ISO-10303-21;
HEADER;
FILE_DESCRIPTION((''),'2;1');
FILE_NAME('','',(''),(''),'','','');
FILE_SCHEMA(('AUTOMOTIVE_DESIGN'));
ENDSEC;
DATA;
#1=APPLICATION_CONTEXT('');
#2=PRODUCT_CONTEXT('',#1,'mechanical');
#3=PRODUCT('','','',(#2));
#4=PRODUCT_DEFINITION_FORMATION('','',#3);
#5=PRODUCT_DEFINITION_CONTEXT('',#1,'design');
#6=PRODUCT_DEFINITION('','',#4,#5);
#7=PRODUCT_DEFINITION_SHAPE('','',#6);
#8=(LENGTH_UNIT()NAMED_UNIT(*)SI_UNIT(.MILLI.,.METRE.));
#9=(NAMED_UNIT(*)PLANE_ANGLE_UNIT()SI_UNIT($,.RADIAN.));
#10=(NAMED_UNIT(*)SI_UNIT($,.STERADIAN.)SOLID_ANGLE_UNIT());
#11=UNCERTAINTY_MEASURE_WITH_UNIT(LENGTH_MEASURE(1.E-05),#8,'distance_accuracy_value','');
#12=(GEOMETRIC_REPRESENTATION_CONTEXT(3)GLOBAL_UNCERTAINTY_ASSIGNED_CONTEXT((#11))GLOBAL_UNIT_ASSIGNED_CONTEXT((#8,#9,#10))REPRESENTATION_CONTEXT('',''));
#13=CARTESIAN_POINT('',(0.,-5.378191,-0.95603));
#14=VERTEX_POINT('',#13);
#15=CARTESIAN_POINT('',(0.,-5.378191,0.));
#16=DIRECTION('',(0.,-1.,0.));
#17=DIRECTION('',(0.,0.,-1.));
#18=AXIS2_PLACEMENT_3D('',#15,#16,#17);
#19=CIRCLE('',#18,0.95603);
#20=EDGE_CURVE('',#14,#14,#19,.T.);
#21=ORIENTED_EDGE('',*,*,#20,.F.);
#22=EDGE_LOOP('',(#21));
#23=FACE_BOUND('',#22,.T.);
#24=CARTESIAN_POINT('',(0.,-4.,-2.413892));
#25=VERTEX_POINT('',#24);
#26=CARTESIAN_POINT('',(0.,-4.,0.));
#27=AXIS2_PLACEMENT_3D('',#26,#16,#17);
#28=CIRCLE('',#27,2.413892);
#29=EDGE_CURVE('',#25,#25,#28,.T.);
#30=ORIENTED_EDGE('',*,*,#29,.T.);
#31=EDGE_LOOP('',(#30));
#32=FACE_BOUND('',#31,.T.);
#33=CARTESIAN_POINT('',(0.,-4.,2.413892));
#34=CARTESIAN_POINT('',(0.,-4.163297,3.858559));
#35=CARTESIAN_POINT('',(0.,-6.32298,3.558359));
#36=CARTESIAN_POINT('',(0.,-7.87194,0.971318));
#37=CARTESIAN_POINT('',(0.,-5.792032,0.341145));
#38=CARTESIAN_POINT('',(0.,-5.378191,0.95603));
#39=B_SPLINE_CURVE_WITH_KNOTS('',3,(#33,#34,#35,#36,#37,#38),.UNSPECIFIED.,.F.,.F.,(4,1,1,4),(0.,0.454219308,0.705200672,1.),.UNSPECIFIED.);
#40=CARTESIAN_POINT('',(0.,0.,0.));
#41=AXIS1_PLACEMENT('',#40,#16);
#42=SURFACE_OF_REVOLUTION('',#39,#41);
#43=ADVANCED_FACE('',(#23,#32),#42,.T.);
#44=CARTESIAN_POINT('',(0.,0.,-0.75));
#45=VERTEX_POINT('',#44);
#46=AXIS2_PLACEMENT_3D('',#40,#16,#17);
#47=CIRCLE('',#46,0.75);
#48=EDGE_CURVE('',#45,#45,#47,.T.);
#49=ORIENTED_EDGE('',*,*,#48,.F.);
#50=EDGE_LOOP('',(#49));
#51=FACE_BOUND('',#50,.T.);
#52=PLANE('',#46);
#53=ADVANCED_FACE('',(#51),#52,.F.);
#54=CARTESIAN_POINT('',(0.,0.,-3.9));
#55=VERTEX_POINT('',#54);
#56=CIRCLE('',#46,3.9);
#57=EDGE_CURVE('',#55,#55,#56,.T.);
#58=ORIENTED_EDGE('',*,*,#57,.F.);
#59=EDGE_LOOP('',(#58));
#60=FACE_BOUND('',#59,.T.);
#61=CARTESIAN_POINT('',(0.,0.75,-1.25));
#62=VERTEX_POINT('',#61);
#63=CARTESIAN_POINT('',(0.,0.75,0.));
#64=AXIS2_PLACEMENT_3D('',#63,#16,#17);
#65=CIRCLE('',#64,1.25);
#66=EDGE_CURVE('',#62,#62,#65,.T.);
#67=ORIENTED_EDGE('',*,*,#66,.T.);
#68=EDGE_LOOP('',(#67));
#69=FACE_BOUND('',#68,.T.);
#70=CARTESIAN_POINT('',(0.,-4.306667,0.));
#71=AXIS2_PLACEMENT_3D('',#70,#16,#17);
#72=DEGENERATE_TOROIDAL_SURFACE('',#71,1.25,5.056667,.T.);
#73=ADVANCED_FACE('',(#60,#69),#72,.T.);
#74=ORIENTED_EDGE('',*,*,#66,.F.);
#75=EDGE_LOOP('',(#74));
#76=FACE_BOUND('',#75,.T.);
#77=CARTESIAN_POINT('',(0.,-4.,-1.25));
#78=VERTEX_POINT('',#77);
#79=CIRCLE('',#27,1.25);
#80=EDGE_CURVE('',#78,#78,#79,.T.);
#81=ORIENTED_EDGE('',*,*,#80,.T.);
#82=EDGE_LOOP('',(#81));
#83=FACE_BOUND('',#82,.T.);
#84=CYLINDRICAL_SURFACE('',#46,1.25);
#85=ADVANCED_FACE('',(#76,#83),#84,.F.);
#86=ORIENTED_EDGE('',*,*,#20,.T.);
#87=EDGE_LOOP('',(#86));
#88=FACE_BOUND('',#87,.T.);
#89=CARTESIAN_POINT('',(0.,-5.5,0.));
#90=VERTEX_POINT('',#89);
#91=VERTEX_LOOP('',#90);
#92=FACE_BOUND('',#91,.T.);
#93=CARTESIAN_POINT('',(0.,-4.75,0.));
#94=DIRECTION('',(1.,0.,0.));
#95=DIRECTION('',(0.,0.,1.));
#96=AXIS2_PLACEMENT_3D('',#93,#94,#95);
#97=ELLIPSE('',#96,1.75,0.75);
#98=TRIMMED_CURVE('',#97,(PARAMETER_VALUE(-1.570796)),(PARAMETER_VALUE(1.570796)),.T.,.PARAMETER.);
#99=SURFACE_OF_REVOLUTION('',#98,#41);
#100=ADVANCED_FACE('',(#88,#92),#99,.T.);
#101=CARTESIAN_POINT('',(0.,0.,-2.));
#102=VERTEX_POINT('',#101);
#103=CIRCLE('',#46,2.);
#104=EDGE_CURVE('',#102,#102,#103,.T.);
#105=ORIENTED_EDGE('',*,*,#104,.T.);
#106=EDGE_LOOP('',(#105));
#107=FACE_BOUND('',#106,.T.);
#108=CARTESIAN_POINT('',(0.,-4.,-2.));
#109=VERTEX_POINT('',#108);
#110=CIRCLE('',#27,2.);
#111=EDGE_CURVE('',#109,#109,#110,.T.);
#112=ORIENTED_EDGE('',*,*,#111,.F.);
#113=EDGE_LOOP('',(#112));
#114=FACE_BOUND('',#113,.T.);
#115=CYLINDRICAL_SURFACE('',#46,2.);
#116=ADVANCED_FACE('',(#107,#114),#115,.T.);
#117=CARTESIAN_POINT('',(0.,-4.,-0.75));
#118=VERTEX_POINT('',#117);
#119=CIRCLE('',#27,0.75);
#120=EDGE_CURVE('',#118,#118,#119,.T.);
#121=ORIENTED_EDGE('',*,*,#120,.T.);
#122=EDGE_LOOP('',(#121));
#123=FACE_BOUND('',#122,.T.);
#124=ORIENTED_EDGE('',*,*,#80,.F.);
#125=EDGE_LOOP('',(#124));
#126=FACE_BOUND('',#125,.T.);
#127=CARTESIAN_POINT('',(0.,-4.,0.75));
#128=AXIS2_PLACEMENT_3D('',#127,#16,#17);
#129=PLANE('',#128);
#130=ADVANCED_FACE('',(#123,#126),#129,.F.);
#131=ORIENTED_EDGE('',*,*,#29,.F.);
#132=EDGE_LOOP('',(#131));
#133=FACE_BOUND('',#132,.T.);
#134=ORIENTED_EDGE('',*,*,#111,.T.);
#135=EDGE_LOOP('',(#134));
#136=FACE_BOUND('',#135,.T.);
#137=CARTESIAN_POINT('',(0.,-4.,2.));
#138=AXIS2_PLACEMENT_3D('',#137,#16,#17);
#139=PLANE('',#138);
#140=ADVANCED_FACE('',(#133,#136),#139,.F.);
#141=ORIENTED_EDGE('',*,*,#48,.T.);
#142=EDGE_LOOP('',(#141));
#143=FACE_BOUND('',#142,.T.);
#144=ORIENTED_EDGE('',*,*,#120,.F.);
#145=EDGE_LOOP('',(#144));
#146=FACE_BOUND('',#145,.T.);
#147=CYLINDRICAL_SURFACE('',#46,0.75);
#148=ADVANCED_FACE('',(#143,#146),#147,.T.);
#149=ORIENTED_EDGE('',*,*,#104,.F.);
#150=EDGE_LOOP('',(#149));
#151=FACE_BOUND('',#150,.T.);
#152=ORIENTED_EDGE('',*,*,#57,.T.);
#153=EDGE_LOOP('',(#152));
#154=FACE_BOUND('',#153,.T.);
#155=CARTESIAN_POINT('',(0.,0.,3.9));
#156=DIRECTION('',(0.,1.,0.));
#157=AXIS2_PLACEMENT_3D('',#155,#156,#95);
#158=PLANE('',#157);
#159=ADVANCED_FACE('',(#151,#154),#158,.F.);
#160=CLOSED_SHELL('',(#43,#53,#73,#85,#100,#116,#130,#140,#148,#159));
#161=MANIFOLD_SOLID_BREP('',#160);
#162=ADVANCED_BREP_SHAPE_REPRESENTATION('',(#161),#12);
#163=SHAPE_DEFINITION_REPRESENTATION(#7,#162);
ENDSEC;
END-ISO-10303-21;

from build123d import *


with BuildPart() as part:
    # Szkic1 → Obrót1 (revolve)
    with BuildSketch(Plane(origin=(0, 0, 0), x_dir=(0, 0, -1), z_dir=(1, 0, 0)), mode=Mode.PRIVATE) as obr_t1_sk:
        with BuildLine():
            Line((0, 0), (0, -4))
            Line((0, -4), (0, -5.5))
            add(Edge.make_bspline(
                [(-0.956030427, -5.378190671), (-0.520263876, -5.5), (0, -5.5)],
                knots=[0.992852221, 0.992852221, 0.992852221, 1.570796327, 1.570796327, 1.570796327], degree=2, weights=[1, 0.958537313, 1]))
            add(Edge.make_bspline(
                [(-2.413891755, -4), (-3.858559437, -4.163296686), (-3.558358928, -6.322980362), (-0.971318098, -7.871940016), (-0.341145137, -5.79203191), (-0.956030427, -5.378190671)],
                knots=[0, 0, 0, 0, 0.454219308, 0.705200672, 1, 1, 1, 1], degree=3))
            Line((-2.413891755, -4), (-2, -4))
            Line((-2, -4), (-2, 0))
            Line((-2, 0), (-3.9, 0))
            ThreePointArc((-3.9, 0), (-2.627043935, 0.558888572), (-1.25, 0.75))
            Line((-1.25, 0.75), (-1.25, -4))
            Line((-1.25, -4), (-0.75, -4))
            Line((-0.75, -4), (-0.75, 0))
            Line((-0.75, 0), (0, 0))
        make_face()
    revolve(obr_t1_sk.sketch.rotate(Axis((0, 0, 0), (0, 1, 0)), 180), axis=Axis((0, 0, 0), (0, 1, 0)))


solid = part.part
